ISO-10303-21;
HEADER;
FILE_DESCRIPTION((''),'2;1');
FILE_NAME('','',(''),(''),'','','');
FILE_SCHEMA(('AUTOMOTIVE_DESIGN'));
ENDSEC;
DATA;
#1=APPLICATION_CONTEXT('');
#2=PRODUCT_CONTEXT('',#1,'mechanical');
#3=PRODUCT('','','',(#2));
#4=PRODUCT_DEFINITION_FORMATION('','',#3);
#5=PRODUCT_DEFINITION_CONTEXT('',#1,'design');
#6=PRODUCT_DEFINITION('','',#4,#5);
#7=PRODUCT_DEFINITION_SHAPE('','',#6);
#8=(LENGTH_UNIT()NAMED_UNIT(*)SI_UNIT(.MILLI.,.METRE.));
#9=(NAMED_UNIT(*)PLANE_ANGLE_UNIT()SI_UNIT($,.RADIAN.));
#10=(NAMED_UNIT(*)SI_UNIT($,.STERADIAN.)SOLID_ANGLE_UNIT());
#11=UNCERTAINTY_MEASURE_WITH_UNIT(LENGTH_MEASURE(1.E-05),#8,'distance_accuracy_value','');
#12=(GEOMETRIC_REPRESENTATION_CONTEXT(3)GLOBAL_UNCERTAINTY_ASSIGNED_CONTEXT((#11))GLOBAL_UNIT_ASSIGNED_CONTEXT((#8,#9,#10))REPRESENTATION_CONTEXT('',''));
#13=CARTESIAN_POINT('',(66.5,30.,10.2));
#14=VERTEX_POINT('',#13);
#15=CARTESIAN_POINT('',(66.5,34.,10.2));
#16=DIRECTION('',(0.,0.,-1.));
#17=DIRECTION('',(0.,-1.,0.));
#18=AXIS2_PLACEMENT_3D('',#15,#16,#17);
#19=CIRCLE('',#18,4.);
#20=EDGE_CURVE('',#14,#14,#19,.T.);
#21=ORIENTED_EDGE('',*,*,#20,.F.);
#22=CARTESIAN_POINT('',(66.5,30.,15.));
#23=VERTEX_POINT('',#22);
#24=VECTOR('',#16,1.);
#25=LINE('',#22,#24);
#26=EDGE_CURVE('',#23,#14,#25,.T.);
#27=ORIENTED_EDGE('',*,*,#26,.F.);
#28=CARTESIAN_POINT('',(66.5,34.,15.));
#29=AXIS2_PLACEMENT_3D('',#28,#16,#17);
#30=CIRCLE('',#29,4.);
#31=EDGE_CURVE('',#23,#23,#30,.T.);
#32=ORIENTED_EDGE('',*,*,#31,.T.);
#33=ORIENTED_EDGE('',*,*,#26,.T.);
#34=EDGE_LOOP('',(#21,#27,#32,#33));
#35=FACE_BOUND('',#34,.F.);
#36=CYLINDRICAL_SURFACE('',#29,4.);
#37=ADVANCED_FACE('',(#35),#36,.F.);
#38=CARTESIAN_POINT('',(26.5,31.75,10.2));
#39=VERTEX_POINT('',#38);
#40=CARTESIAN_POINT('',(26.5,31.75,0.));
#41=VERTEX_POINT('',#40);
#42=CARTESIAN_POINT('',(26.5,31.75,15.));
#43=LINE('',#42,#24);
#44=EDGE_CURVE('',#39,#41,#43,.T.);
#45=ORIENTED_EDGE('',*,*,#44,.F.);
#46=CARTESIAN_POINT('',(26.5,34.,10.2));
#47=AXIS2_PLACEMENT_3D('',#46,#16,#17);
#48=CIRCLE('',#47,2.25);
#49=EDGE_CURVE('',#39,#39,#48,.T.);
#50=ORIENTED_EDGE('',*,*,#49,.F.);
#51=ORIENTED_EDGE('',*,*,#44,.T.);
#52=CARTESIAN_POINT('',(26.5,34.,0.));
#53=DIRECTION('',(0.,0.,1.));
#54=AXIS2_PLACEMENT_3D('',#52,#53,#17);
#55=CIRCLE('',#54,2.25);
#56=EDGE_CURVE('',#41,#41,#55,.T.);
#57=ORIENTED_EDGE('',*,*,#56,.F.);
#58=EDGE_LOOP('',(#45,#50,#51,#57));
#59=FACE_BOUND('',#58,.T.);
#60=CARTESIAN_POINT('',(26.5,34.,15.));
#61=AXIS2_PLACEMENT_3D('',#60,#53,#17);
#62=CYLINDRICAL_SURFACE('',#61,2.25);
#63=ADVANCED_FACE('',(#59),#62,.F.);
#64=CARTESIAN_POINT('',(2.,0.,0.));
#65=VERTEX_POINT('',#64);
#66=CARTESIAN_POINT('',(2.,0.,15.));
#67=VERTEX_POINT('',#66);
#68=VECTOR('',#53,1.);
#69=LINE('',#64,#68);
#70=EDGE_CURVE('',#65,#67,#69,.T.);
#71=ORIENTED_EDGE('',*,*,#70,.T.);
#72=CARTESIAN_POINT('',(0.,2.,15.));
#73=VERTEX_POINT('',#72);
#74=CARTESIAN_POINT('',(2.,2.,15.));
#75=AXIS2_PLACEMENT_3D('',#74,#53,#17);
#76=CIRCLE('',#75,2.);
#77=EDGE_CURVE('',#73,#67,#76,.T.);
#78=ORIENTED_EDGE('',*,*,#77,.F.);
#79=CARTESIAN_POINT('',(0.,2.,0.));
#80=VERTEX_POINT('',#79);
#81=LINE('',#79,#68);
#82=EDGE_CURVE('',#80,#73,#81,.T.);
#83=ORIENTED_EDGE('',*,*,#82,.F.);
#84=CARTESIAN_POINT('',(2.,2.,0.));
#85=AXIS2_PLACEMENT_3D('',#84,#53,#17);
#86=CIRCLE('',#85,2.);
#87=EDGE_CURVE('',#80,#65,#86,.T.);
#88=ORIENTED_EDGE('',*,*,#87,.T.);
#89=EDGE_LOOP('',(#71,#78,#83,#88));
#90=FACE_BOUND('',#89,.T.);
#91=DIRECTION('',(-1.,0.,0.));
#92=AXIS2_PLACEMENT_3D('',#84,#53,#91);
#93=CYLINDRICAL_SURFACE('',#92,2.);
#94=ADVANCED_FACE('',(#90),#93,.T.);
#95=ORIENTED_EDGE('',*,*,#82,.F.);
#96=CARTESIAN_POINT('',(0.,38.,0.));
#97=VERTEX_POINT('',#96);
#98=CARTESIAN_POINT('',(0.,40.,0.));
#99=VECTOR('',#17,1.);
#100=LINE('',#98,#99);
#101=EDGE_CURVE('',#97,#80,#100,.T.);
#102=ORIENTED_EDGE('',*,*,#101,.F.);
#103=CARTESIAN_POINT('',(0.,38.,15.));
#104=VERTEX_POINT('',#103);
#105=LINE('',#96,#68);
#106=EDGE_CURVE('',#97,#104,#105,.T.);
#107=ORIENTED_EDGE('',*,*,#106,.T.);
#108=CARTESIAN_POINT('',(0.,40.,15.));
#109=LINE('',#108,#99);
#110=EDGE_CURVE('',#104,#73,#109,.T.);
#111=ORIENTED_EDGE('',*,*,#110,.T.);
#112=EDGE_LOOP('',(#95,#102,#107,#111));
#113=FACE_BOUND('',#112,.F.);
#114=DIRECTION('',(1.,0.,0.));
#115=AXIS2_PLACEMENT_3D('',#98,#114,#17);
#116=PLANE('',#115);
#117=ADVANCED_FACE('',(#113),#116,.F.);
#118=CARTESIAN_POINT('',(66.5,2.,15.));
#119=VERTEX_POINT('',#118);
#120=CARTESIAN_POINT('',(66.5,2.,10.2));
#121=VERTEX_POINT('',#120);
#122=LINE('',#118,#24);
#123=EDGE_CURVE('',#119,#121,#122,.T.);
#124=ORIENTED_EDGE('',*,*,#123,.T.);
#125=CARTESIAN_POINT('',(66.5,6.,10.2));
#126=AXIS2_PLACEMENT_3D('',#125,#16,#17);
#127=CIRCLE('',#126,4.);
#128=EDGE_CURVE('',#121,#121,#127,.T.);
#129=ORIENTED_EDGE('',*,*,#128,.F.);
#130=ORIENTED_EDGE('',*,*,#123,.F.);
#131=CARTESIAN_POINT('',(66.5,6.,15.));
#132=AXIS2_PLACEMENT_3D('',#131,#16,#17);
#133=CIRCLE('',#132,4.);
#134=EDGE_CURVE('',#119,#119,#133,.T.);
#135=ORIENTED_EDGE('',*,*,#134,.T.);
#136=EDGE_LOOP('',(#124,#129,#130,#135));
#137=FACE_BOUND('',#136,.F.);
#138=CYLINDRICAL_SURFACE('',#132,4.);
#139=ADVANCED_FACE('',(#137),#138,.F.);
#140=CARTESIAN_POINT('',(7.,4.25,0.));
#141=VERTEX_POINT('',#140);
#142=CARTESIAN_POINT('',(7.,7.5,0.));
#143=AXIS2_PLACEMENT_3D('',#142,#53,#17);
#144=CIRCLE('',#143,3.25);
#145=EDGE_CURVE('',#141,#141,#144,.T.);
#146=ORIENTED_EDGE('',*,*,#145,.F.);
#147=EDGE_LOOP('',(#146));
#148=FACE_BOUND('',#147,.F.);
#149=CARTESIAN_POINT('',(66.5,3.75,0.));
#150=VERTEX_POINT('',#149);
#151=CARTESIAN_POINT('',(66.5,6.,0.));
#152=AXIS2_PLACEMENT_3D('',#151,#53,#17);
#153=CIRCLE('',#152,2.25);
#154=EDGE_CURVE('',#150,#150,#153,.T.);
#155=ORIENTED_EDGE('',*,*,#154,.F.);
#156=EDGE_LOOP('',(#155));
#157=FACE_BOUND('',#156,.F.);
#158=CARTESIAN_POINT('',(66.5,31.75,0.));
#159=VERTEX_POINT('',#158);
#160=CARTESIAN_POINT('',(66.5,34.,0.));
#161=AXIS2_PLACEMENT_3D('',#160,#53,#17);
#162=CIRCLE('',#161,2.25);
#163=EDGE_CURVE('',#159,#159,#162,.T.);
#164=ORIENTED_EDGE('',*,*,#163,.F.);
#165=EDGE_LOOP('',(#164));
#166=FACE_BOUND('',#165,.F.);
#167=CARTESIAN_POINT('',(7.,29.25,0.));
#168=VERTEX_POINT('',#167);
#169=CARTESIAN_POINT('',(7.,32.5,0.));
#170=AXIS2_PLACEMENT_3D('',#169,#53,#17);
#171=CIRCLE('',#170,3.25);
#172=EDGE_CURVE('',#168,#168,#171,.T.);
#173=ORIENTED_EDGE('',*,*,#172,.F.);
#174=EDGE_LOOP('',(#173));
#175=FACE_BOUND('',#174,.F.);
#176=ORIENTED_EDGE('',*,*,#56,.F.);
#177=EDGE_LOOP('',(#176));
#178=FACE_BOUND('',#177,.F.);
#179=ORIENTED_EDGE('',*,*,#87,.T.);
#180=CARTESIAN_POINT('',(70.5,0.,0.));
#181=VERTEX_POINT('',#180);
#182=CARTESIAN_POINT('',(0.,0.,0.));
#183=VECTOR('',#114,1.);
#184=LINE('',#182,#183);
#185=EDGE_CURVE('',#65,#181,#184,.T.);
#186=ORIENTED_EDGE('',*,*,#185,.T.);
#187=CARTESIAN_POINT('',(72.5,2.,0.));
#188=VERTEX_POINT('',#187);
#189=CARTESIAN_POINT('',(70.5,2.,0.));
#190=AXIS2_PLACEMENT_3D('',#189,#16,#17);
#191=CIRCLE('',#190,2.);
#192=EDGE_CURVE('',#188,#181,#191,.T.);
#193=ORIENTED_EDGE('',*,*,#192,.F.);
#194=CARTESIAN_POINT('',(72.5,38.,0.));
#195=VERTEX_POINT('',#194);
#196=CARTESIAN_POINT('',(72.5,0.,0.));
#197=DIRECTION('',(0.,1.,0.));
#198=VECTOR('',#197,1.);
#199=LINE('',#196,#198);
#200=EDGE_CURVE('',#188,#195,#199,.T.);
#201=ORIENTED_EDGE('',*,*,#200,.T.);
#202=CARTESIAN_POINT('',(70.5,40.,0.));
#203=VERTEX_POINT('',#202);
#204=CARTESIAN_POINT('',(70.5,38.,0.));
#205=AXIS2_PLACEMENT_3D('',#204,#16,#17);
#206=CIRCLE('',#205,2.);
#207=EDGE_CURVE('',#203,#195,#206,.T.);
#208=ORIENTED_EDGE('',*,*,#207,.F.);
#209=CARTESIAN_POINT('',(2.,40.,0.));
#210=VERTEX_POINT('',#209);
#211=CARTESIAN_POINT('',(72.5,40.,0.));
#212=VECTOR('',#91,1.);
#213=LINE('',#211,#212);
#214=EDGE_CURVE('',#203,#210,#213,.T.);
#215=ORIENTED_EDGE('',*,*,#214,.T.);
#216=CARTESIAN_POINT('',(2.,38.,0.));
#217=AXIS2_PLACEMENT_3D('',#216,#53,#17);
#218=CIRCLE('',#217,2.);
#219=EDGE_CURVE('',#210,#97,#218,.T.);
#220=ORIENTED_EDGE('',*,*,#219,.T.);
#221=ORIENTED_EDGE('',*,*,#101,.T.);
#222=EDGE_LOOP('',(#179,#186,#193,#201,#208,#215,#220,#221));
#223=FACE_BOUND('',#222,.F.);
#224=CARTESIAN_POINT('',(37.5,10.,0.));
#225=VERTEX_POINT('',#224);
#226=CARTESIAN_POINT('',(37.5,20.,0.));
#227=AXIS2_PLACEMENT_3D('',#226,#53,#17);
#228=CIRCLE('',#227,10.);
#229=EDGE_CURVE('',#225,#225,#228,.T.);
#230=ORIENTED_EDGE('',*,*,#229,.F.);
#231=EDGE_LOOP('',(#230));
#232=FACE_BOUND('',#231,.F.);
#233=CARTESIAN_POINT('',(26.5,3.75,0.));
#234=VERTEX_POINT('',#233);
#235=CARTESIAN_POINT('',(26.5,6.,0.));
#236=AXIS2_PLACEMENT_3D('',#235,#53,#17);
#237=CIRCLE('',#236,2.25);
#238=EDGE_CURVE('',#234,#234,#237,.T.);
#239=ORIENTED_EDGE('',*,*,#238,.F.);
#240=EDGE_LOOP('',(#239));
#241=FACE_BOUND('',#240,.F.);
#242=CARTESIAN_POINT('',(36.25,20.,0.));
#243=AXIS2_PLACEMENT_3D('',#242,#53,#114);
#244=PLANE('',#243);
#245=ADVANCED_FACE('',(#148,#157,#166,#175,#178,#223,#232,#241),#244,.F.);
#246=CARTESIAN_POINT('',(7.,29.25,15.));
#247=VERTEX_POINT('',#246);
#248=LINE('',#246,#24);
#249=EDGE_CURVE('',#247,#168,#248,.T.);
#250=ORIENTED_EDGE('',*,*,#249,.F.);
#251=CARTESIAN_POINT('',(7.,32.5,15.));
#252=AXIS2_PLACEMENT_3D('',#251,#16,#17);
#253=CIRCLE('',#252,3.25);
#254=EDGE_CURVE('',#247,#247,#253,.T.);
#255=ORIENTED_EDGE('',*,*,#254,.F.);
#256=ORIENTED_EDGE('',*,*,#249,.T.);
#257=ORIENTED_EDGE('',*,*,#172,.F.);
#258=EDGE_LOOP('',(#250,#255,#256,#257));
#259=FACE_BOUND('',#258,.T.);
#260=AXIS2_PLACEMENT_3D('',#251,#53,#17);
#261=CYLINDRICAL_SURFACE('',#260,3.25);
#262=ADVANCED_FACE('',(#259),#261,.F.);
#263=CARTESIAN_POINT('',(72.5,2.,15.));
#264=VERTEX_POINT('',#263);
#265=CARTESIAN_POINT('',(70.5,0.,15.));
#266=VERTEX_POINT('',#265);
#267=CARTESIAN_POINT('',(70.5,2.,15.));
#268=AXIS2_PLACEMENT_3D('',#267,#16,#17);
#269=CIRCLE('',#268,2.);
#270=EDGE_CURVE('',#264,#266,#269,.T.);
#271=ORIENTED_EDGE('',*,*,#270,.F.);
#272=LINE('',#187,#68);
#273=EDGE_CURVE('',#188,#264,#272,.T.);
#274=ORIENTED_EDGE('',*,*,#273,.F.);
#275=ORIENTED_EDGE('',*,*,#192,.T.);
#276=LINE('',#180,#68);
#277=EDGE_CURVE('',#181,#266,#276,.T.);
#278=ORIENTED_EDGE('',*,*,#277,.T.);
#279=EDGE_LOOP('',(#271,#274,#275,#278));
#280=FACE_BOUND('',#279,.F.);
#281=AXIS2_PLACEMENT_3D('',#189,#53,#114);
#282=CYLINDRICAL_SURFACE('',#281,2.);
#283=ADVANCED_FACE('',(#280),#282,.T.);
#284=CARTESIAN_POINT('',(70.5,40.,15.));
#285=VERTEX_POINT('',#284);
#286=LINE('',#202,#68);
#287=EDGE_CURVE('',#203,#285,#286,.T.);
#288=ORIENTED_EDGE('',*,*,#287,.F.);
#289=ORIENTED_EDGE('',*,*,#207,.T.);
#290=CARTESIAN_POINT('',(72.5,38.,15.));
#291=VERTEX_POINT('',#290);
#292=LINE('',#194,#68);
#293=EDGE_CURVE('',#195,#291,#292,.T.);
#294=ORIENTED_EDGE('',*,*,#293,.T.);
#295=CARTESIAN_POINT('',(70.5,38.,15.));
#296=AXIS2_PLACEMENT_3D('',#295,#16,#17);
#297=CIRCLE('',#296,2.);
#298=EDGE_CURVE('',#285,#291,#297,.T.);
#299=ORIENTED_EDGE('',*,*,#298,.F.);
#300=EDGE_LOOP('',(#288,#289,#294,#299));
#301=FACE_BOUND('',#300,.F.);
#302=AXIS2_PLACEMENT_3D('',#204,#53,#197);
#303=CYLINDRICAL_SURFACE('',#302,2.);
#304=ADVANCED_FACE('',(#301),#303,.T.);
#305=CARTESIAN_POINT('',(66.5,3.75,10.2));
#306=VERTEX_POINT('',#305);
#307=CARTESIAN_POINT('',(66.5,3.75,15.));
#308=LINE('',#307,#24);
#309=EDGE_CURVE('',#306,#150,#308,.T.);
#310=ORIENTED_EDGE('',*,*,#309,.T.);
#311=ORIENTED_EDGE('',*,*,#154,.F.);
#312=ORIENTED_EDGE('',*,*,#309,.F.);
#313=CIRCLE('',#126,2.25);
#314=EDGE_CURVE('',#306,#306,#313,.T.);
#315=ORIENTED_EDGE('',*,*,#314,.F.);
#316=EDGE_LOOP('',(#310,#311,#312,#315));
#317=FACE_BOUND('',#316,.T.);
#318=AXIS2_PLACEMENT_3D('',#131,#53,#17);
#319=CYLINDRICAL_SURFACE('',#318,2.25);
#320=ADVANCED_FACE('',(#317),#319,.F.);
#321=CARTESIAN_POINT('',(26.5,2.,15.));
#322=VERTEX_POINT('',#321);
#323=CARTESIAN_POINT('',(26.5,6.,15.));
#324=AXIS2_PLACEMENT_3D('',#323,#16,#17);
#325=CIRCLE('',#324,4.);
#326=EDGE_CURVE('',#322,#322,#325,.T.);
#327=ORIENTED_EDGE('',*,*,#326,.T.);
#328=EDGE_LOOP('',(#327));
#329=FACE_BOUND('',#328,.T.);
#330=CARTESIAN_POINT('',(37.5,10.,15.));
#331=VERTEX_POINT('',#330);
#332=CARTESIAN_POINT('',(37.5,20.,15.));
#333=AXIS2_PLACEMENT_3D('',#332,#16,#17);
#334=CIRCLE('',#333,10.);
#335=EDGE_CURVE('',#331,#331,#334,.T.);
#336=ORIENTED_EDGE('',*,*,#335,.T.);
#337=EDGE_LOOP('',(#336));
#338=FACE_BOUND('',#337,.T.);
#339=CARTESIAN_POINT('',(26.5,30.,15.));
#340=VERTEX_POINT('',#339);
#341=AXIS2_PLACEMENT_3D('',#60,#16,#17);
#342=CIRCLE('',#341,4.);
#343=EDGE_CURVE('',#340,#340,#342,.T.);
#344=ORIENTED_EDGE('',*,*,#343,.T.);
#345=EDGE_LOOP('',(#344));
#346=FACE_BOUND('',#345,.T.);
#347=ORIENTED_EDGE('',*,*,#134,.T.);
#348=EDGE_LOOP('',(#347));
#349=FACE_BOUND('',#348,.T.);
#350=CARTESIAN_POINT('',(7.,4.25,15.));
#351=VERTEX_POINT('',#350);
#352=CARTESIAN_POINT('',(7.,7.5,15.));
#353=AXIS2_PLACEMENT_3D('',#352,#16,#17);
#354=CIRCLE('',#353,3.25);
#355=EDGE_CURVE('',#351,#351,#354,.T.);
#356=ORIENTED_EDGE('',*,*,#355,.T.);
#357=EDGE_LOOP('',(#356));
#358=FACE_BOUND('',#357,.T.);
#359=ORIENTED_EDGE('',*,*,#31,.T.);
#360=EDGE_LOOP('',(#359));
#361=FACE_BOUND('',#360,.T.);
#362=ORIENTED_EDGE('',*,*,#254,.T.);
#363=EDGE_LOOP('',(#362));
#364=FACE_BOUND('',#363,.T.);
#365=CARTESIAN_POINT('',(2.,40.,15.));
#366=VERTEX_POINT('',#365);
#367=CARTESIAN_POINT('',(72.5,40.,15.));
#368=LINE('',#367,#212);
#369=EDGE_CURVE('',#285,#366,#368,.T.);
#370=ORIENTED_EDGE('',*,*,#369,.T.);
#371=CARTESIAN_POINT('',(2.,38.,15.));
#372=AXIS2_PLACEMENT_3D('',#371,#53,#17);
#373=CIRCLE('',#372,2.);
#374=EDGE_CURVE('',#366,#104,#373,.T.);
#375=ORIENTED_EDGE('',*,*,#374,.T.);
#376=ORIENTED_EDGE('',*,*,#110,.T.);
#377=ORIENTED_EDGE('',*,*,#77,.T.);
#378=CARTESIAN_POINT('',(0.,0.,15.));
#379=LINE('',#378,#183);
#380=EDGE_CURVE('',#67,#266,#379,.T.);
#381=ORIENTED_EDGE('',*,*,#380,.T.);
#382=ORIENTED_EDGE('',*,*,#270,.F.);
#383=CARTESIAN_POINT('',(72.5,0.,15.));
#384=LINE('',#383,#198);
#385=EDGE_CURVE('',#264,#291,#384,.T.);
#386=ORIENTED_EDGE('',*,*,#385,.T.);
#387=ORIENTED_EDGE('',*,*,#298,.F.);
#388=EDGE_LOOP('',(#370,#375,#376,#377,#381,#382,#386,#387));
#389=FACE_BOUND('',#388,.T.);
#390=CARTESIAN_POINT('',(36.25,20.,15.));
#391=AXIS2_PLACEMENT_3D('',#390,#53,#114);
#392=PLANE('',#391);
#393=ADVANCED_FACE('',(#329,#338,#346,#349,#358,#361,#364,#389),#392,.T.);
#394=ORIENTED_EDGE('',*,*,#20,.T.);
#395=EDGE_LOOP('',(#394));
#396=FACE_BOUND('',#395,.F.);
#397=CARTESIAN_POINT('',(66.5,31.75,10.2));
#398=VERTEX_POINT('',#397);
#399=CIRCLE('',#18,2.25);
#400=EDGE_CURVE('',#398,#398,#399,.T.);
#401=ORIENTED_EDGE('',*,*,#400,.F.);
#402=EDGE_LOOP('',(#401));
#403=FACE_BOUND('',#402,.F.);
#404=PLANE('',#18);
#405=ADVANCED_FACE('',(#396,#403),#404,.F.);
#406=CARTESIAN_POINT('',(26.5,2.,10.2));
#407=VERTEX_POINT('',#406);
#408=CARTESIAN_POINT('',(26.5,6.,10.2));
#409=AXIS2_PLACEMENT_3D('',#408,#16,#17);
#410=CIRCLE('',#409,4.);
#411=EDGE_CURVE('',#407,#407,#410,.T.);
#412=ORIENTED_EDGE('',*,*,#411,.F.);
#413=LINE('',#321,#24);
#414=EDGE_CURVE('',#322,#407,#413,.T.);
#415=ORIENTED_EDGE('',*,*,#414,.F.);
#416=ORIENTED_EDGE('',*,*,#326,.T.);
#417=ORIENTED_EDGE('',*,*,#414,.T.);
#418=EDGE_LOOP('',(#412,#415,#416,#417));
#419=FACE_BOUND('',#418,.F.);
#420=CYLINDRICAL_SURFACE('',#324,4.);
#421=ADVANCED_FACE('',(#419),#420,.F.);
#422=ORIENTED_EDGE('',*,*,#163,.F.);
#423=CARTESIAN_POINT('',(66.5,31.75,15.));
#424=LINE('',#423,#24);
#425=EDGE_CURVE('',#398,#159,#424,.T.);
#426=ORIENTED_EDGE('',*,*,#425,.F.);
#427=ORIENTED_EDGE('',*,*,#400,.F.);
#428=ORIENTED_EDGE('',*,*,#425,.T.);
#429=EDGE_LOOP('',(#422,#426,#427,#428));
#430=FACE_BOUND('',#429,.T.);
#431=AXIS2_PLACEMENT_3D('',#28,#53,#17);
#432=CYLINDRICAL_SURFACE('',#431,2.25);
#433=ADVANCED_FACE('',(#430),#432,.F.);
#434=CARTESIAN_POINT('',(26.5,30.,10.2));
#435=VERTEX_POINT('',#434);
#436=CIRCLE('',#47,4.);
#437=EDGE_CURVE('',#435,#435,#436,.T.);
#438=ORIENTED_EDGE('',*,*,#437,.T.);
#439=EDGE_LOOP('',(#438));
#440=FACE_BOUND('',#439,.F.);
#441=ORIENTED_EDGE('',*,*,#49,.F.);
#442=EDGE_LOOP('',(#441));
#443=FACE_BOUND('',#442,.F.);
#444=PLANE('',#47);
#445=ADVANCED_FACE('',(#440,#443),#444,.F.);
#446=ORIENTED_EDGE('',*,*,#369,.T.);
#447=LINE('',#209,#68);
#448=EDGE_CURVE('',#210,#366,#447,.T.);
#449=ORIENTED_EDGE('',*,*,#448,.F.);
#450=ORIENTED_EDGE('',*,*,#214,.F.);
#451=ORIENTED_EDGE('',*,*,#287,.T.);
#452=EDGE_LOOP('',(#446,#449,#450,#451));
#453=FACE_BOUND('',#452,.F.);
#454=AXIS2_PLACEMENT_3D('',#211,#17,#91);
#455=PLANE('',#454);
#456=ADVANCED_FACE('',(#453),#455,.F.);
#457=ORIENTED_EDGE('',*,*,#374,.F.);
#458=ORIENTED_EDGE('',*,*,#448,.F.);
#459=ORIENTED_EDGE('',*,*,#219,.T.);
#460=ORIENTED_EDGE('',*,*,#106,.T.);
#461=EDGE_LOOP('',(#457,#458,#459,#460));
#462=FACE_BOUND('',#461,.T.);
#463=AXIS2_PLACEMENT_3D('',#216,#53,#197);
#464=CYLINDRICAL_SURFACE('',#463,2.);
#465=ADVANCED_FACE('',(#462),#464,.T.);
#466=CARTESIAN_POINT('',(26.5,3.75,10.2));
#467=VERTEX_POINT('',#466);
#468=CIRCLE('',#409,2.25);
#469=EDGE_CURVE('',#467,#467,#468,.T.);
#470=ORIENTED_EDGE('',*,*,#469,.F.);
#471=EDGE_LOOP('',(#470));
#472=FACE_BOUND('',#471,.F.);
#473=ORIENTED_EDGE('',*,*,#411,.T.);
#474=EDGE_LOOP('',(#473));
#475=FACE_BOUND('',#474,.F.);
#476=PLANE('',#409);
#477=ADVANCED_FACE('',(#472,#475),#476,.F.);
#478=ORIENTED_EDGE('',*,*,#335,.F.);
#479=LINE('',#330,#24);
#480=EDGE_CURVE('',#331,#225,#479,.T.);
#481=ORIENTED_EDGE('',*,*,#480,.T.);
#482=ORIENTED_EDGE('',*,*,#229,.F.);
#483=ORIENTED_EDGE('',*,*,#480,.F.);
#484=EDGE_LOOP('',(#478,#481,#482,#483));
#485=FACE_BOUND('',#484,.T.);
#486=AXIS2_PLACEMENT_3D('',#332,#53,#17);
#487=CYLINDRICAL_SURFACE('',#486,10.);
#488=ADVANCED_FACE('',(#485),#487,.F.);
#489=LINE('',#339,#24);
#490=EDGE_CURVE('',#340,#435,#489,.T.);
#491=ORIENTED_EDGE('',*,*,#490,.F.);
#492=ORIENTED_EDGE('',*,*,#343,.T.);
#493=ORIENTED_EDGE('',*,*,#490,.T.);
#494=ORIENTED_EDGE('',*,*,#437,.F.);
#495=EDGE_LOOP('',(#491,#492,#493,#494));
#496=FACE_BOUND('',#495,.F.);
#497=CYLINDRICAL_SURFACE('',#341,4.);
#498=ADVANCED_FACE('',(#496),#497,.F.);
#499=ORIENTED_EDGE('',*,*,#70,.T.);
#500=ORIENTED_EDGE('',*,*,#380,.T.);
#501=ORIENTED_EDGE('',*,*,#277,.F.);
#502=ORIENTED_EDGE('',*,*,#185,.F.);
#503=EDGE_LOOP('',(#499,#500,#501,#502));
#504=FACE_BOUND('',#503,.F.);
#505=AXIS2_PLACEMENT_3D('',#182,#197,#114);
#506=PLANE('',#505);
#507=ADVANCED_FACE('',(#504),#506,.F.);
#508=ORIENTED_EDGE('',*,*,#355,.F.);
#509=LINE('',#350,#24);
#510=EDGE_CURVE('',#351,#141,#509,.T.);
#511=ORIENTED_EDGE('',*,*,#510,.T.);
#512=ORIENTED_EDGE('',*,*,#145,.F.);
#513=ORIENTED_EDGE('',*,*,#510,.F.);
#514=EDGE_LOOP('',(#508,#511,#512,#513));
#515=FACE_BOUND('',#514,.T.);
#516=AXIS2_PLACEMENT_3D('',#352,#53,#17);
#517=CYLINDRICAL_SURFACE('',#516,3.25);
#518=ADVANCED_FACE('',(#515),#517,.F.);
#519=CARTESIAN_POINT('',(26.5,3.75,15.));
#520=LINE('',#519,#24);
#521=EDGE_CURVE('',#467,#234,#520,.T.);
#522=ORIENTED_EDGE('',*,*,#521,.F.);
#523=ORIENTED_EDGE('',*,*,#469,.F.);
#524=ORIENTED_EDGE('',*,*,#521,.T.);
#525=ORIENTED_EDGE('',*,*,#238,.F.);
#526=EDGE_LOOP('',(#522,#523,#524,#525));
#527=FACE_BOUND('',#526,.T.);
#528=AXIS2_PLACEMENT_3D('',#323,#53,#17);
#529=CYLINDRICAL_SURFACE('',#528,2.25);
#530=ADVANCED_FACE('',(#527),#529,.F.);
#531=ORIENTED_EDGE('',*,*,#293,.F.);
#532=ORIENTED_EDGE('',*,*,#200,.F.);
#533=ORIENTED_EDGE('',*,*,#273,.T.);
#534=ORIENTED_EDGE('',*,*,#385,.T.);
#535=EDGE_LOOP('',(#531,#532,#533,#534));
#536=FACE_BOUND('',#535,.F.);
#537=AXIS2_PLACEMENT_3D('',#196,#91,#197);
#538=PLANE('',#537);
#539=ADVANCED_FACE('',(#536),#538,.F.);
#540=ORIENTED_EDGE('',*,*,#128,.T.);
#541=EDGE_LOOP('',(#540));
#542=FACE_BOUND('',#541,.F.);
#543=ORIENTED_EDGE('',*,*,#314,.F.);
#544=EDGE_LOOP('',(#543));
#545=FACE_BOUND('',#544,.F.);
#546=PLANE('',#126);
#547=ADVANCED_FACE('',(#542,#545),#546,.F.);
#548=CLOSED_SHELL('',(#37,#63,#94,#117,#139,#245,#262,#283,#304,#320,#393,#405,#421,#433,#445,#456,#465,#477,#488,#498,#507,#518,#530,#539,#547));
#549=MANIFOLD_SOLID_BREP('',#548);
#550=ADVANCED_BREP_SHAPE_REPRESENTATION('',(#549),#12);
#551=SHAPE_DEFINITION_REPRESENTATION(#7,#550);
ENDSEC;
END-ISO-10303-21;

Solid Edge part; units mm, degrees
sketch "Sketch1" plane through (0, 0, 0) normal (0, 0, 1) x (1, 0, 0)
  line L0 (72.5, 40) -> (0, 40)
  line L1 (0, 40) -> (0, 0)
  line L2 (0, 0) -> (72.5, 0)
  line L3 (72.5, 0) -> (72.5, 40)
extrude "Extrusionsausprägung_1" add sketch "Sketch1" along normal blind 15
hole "Bohrung_1" at (26.5, 34, 15) direction (0, 0, -1) diameter 4.5 end through all counterbore diameter 8 counterbore depth 4.8
hole "Hole1" at (26.5, 6, 15) direction (0, 0, -1) diameter 4.5 end through all counterbore diameter 8 counterbore depth 4.8
hole "Hole2" at (66.5, 34, 15) direction (0, 0, -1) diameter 4.5 end through all counterbore diameter 8 counterbore depth 4.8
hole "Hole3" at (66.5, 6, 15) direction (0, 0, -1) diameter 4.5 end through all counterbore diameter 8 counterbore depth 4.8
hole "Bohrung_12" at (37.5, 20, 15) direction (0, 0, -1) diameter 20 end through all
hole "Bohrung_15" at (7, 32.5, 15) direction (0, 0, -1) diameter 6.5 end through all
hole "Hole4" at (7, 7.5, 15) direction (0, 0, -1) diameter 6.5 end through all
fillet "Verrundung_2" radius 2 4 edges at (0, 40, 7.5) (72.5, 40, 7.5) (72.5, 0, 7.5) (0, 0, 7.5)
